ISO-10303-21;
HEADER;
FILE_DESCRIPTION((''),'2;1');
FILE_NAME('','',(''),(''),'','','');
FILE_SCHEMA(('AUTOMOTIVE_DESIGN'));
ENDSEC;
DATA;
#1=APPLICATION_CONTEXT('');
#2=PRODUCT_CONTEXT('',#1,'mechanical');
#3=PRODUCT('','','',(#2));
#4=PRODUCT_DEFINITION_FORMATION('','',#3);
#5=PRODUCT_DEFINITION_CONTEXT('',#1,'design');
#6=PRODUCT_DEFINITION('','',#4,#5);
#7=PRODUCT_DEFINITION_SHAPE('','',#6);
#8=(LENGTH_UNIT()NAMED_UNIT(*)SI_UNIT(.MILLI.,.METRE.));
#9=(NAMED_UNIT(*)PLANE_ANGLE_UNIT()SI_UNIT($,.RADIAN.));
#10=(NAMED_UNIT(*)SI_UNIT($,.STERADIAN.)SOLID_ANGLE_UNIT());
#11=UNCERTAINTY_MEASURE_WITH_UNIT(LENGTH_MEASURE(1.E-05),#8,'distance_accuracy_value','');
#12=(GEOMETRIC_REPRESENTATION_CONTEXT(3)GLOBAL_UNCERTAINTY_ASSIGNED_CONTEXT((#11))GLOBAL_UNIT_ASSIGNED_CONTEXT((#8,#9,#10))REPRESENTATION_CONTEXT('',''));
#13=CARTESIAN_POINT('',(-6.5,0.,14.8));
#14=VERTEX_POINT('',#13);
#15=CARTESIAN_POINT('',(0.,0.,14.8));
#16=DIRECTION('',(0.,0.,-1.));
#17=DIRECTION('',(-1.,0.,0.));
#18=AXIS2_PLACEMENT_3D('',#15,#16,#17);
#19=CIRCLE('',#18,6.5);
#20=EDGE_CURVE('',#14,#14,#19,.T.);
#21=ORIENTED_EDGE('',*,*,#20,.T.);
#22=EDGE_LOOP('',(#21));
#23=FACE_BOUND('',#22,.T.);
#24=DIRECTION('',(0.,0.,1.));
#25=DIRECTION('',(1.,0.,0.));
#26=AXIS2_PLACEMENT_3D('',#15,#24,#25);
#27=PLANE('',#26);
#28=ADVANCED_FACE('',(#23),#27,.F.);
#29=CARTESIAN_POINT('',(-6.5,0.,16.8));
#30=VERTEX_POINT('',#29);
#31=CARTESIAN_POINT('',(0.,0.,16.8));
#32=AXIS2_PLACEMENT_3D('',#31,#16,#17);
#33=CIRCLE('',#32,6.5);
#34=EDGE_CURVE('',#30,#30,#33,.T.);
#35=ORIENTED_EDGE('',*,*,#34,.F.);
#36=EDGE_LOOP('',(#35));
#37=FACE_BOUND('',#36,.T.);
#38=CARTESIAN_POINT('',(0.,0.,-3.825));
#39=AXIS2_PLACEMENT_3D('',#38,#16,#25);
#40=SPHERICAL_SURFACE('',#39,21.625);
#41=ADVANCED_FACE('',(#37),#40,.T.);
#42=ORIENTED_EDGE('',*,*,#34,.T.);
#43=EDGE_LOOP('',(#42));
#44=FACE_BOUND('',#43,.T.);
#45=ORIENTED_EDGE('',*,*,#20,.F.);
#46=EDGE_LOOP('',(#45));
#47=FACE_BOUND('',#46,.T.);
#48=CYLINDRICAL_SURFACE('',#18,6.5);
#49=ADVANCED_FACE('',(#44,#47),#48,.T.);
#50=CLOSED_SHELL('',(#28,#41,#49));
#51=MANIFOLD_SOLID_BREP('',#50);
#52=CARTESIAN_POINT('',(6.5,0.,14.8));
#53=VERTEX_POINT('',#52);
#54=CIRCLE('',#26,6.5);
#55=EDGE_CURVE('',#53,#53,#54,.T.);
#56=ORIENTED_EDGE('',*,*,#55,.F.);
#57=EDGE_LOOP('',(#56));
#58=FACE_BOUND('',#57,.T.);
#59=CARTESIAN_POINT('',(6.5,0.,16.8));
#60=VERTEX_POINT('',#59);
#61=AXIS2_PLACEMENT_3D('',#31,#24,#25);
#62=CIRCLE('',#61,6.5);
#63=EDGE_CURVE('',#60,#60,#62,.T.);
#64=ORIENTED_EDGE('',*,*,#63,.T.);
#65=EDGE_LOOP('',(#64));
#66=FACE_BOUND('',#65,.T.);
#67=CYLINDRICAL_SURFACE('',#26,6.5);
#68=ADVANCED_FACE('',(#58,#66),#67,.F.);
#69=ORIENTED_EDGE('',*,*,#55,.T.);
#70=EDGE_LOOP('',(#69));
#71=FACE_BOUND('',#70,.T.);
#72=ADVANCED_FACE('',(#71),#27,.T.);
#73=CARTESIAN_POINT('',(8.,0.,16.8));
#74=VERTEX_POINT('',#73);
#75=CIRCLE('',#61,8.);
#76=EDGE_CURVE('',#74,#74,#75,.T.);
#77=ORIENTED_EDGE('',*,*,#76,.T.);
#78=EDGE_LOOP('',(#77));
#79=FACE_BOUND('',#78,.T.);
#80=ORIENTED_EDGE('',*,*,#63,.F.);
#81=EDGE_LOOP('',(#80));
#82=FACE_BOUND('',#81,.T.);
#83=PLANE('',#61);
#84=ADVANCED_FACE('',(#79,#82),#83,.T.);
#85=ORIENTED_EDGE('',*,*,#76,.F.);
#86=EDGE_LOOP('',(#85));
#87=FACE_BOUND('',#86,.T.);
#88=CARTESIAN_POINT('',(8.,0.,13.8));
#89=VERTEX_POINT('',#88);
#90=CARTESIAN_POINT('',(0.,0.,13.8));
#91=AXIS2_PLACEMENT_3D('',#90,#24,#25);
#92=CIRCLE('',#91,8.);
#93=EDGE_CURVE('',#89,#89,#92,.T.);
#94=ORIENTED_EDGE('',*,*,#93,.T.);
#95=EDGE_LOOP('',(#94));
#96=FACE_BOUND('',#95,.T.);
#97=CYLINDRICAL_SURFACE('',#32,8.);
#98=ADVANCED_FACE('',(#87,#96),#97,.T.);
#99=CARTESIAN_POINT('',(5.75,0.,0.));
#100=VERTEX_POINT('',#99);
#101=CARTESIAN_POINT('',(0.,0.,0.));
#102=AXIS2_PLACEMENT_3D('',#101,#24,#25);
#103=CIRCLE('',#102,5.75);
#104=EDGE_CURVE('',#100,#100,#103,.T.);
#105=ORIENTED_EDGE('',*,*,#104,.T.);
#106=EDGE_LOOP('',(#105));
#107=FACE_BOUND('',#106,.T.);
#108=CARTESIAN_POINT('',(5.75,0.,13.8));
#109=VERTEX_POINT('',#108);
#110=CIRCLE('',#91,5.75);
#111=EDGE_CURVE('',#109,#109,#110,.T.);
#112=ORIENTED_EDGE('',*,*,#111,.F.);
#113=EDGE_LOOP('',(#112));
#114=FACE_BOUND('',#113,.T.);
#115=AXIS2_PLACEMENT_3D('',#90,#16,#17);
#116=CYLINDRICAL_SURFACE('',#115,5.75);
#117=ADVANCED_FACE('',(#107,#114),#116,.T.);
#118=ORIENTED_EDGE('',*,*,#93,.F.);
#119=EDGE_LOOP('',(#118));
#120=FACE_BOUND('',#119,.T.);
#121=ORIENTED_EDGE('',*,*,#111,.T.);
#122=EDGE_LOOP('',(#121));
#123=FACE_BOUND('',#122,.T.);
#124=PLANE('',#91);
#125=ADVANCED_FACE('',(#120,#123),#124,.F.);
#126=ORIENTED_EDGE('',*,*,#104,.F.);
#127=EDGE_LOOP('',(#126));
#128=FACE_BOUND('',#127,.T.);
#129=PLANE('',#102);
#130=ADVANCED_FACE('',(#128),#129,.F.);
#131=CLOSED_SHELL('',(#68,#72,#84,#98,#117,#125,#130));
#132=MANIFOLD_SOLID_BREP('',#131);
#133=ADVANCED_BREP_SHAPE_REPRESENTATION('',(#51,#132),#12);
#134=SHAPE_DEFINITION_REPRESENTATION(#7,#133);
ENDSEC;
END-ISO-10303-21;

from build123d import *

# Parameters (mm, degrees)
SKETCH1_R           = 5.75
BOSS_EXTRUDE1_DEPTH = 13.8
SKETCH2_R           = 8
BOSS_EXTRUDE2_DEPTH = 3
SKETCH3_R           = 6.5
CUT_EXTRUDE1_DEPTH  = 2


with BuildPart() as part:
    # Sketch1 → Boss-Extrude1 (new body)
    with BuildSketch(Plane.XY):
        Circle(SKETCH1_R)
    extrude(amount=BOSS_EXTRUDE1_DEPTH)

    # Sketch2 → Boss-Extrude2 (add)
    with BuildSketch(Plane.XY.offset(13.8)):
        Circle(SKETCH2_R)
    extrude(amount=BOSS_EXTRUDE2_DEPTH)

    # Sketch3 → Cut-Extrude1 (cut)
    with BuildSketch(Plane.XY.offset(16.8)):
        Circle(SKETCH3_R)
    extrude(amount=-CUT_EXTRUDE1_DEPTH, mode=Mode.SUBTRACT)


with BuildPart() as body_2:
    # Sketch4 → Revolve1 (revolve)
    with BuildSketch(Plane(origin=(0, 0, 0), x_dir=(1, 0, 0), z_dir=(0, 1, 0))):
        with BuildLine():
            Line((0, -14.8), (0, -17.8))
            ThreePointArc((0, -17.8), (3.288236609, -17.548537962), (6.5, -16.8))
            Line((6.5, -16.8), (6.5, -14.8))
            Line((6.5, -14.8), (0, -14.8))
        make_face()
    revolve(axis=Axis((0, 0, 14.8), (0, 0, 1)))


solid = Compound([part.part, body_2.part])
